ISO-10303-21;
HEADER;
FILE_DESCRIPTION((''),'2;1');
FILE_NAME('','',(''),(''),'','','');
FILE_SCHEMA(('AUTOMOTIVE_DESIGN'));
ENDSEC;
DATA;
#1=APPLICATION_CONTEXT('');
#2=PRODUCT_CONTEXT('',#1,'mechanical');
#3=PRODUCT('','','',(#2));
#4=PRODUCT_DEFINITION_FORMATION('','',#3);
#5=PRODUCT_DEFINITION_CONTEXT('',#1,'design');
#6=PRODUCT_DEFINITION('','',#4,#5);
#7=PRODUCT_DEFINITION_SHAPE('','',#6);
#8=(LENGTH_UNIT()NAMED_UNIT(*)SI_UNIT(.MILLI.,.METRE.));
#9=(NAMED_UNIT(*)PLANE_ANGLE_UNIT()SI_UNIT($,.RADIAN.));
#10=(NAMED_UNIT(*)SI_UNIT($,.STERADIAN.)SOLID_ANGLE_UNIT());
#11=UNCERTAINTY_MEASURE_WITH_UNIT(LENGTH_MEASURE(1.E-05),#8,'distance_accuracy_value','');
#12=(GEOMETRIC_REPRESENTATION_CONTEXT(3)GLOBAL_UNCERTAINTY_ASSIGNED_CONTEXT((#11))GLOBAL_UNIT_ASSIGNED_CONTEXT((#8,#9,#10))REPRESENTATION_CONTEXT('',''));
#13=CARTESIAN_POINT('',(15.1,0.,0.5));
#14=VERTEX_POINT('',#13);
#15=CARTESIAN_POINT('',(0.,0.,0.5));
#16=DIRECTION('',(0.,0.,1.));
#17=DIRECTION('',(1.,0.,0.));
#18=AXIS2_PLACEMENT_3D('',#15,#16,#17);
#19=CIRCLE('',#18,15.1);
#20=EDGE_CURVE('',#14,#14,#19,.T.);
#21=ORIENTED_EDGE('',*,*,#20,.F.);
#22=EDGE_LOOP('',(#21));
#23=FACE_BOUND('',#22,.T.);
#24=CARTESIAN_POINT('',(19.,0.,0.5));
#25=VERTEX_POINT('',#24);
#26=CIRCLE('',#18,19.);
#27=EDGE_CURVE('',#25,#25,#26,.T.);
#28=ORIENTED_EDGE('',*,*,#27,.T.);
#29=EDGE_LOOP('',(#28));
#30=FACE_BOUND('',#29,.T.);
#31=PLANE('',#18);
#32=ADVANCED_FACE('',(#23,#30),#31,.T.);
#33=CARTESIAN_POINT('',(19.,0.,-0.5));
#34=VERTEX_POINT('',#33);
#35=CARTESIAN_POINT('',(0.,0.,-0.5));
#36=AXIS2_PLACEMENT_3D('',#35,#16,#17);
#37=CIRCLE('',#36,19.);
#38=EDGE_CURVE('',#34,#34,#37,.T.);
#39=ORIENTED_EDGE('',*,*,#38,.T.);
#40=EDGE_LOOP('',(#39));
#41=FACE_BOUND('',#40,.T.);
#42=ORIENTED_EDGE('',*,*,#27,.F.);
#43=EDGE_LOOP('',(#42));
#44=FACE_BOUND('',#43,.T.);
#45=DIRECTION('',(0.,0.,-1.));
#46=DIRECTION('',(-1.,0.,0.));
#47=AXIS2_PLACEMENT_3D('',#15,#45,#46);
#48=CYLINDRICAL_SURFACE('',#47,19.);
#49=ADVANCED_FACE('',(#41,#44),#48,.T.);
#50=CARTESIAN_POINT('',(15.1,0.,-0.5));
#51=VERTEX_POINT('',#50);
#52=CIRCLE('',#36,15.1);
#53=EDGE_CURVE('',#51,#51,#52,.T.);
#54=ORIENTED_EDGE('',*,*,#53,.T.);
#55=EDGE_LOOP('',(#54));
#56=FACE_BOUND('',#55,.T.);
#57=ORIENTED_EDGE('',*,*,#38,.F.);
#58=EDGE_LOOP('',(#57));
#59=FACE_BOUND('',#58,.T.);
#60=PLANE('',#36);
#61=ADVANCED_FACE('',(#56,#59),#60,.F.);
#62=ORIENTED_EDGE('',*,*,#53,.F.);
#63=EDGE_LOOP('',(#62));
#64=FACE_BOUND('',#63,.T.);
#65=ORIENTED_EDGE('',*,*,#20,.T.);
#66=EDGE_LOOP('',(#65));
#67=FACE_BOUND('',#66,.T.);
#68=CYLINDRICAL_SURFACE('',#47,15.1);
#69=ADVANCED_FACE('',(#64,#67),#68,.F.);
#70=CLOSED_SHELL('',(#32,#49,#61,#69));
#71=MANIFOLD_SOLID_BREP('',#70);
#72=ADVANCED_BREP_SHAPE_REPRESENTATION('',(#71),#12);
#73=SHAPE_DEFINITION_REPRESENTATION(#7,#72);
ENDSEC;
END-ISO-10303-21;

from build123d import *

# Parameters (mm, degrees)
SKETCH1_R           = 19
SKETCH1_R_2         = 15.1
BOSS_EXTRUDE1_DEPTH = 0.5


with BuildPart() as part:
    # Sketch1 → Boss-Extrude1 (new, symmetric)
    with BuildSketch(Plane.XY):
        Circle(SKETCH1_R)
        Circle(SKETCH1_R_2, mode=Mode.SUBTRACT)
    extrude(amount=BOSS_EXTRUDE1_DEPTH, both=True)


solid = part.part
